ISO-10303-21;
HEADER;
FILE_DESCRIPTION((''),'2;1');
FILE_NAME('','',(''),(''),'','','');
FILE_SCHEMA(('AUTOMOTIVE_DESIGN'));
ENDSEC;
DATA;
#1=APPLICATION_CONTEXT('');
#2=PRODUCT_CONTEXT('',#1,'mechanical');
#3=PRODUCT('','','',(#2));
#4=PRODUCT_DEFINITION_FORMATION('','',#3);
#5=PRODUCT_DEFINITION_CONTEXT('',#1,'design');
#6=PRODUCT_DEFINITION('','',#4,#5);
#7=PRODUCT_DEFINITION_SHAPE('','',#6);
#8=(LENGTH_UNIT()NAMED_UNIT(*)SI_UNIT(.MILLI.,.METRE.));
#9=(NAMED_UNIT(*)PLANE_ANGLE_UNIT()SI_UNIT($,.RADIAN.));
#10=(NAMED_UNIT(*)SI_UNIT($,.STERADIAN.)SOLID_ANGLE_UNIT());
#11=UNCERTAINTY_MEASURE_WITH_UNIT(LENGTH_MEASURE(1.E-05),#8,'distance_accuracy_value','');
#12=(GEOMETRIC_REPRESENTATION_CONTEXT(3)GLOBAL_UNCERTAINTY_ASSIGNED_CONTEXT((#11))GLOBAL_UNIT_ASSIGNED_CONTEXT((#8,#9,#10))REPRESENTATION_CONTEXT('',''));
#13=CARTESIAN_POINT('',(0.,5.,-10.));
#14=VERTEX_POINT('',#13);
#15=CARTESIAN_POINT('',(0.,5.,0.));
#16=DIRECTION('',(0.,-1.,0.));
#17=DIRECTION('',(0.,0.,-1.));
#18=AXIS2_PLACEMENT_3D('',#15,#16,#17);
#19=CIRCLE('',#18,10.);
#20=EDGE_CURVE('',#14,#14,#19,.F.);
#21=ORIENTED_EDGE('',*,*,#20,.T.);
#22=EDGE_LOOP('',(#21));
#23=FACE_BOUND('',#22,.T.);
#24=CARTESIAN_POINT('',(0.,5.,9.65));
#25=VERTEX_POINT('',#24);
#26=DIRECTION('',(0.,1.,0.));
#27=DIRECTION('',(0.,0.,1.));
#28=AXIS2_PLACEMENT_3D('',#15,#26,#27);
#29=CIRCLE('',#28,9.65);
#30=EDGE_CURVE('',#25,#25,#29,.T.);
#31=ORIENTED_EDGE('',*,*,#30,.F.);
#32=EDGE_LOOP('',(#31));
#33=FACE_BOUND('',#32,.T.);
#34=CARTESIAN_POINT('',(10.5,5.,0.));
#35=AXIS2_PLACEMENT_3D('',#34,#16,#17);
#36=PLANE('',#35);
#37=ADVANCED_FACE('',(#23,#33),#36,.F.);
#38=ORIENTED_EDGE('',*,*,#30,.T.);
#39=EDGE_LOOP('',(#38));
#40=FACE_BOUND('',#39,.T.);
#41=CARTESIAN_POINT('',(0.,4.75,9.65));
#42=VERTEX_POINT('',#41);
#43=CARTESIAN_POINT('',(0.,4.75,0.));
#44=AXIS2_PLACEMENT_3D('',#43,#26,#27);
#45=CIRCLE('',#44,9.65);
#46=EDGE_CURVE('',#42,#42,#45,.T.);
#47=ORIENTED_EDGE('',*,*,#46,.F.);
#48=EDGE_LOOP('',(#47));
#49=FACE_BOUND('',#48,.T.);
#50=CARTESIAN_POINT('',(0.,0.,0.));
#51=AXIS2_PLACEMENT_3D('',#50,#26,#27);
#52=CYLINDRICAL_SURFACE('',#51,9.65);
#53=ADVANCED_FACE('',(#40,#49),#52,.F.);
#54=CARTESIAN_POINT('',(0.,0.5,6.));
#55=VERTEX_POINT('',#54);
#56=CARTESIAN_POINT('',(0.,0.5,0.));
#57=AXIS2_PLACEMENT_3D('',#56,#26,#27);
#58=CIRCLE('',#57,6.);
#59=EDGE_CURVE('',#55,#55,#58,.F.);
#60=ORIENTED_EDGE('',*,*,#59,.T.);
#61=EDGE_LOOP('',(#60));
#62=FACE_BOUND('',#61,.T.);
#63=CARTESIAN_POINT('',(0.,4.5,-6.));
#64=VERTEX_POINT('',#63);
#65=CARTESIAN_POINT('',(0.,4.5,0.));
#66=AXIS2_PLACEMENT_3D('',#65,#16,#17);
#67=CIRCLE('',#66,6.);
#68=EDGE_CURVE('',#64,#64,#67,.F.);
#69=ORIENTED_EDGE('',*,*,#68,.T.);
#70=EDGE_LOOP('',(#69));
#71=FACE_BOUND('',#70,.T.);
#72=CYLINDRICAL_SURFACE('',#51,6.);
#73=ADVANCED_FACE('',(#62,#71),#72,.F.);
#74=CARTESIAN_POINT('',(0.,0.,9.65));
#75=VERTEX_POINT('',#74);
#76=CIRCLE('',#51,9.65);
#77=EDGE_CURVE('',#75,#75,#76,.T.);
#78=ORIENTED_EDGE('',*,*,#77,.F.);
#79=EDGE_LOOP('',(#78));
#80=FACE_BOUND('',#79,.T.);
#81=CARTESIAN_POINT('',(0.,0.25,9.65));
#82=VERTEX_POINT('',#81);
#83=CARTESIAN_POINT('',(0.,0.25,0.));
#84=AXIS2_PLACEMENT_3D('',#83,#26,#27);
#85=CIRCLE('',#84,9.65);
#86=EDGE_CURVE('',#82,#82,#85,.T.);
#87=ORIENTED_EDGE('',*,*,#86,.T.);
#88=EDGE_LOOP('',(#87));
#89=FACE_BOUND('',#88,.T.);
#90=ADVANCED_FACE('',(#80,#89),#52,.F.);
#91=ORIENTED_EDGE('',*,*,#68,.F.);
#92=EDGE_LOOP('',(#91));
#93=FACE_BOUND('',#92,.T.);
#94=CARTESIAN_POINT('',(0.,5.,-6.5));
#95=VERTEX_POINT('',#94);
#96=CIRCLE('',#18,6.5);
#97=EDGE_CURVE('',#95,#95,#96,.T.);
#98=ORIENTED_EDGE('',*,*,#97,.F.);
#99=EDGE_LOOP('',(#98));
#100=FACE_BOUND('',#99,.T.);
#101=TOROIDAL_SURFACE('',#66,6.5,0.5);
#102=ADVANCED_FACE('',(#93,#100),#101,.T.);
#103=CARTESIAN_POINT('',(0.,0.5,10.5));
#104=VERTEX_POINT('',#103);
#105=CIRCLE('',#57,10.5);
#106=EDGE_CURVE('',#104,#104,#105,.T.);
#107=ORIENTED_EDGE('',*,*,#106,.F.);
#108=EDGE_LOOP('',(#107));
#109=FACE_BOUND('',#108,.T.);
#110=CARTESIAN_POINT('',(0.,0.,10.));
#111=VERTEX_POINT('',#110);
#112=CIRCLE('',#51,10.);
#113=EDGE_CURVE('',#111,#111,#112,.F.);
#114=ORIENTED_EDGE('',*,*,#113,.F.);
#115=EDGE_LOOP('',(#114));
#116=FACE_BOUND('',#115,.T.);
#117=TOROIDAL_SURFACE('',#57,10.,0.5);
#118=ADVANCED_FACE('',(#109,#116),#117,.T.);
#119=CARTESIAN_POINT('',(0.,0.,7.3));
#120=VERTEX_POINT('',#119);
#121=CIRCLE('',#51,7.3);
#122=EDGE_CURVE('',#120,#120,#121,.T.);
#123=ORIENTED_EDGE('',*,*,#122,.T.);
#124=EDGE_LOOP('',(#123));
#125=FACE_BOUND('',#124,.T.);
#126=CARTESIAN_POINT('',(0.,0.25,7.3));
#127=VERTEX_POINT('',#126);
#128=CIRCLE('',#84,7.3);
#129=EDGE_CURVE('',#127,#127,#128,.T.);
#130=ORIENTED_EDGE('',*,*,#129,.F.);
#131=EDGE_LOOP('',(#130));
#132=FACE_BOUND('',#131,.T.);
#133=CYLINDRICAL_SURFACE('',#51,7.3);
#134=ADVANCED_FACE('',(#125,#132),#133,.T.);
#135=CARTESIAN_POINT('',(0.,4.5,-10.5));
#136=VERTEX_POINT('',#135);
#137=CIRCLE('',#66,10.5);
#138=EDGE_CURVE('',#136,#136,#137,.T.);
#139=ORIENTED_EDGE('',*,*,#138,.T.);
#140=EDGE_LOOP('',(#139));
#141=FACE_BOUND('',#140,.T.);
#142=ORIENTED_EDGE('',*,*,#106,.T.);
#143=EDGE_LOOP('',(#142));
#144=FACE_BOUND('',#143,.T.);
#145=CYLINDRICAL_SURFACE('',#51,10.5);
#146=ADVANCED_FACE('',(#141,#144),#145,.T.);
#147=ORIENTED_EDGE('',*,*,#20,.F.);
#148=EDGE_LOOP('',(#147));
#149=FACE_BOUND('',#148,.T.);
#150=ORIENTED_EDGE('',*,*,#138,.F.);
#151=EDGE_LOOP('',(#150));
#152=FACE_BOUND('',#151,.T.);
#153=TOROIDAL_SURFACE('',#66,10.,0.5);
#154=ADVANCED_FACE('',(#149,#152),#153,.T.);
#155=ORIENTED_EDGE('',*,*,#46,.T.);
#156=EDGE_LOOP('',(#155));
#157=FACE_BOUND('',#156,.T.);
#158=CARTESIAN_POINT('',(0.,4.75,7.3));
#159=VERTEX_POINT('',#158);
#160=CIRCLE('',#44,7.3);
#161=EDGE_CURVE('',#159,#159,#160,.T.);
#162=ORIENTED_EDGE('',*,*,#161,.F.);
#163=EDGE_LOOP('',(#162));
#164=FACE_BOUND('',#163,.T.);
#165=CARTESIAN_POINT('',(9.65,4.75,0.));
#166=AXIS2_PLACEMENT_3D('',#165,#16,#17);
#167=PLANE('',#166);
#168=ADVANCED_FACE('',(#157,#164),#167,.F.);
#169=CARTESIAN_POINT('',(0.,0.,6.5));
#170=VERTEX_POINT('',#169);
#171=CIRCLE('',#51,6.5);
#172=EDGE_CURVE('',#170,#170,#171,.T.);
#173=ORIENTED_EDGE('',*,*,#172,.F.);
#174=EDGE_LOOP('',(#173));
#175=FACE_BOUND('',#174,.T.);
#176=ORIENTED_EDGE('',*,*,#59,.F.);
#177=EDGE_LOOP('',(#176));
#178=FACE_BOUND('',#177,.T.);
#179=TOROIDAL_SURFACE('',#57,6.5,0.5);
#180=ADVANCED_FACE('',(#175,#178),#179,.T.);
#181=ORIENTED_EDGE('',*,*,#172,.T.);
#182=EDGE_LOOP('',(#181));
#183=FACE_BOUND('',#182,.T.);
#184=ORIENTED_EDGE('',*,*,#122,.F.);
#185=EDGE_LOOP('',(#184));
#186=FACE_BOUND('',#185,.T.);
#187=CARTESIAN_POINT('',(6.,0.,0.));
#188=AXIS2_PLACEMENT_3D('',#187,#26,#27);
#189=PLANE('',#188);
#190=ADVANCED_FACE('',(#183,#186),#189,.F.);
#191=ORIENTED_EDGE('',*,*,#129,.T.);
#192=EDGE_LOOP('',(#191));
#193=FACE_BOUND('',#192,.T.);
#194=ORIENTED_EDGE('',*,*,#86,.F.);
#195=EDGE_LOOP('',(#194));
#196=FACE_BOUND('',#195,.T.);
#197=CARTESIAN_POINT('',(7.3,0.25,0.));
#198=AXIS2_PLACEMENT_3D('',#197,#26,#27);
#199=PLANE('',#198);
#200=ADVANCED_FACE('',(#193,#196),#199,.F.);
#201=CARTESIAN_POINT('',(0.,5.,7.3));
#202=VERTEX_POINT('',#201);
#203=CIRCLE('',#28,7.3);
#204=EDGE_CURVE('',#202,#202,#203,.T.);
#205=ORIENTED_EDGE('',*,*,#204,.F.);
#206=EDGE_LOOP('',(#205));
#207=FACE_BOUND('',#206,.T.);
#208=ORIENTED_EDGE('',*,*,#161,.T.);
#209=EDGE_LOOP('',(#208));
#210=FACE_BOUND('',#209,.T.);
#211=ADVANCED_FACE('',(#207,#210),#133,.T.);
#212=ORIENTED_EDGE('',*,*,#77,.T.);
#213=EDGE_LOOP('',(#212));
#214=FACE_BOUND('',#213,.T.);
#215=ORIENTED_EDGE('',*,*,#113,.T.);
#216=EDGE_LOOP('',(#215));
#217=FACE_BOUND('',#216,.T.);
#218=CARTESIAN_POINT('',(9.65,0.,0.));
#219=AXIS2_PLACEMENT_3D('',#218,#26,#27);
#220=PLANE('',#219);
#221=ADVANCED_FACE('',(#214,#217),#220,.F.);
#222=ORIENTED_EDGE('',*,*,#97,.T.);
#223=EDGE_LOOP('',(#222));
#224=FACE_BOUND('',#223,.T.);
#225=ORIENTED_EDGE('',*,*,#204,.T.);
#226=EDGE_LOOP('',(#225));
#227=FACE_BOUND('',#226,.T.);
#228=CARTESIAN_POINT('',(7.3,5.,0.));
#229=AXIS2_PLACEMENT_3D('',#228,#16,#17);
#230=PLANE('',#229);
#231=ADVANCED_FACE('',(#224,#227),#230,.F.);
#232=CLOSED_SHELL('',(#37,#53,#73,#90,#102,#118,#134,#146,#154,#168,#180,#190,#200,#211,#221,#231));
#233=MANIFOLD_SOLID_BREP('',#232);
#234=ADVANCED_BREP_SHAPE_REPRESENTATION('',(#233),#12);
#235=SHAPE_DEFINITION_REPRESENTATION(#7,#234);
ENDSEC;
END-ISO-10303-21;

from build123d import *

# Parameters (mm, degrees)
VERRUNDUNG1_R = 0.5


with BuildPart() as part:
    # Skizze1 → Rotation1 (revolve)
    with BuildSketch(Plane.XY, mode=Mode.PRIVATE) as rotation1_sk:
        Polygon((6, 0), (7.3, 0), (7.3, 0.25), (9.65, 0.25), (9.65, 0), (10.5, 0), (10.5, 5), (9.65, 5), (9.65, 4.75), (7.3, 4.75), (7.3, 5), (6, 5), align=None)
    revolve(rotation1_sk.sketch.rotate(Axis((0, 0, 0), (0, -1, 0)), 90), axis=Axis((0, 0, 0), (0, -1, 0)))

    # Verrundung1
    verrundung1_edges = [part.edges().sort_by_distance(p)[0] for p in [
        (0, 5, -10.5),
        (0, 0, -10.5),
        (0, 0, -6),
        (0, 5, -6),
    ]]
    fillet(verrundung1_edges, radius=VERRUNDUNG1_R)


solid = part.part
